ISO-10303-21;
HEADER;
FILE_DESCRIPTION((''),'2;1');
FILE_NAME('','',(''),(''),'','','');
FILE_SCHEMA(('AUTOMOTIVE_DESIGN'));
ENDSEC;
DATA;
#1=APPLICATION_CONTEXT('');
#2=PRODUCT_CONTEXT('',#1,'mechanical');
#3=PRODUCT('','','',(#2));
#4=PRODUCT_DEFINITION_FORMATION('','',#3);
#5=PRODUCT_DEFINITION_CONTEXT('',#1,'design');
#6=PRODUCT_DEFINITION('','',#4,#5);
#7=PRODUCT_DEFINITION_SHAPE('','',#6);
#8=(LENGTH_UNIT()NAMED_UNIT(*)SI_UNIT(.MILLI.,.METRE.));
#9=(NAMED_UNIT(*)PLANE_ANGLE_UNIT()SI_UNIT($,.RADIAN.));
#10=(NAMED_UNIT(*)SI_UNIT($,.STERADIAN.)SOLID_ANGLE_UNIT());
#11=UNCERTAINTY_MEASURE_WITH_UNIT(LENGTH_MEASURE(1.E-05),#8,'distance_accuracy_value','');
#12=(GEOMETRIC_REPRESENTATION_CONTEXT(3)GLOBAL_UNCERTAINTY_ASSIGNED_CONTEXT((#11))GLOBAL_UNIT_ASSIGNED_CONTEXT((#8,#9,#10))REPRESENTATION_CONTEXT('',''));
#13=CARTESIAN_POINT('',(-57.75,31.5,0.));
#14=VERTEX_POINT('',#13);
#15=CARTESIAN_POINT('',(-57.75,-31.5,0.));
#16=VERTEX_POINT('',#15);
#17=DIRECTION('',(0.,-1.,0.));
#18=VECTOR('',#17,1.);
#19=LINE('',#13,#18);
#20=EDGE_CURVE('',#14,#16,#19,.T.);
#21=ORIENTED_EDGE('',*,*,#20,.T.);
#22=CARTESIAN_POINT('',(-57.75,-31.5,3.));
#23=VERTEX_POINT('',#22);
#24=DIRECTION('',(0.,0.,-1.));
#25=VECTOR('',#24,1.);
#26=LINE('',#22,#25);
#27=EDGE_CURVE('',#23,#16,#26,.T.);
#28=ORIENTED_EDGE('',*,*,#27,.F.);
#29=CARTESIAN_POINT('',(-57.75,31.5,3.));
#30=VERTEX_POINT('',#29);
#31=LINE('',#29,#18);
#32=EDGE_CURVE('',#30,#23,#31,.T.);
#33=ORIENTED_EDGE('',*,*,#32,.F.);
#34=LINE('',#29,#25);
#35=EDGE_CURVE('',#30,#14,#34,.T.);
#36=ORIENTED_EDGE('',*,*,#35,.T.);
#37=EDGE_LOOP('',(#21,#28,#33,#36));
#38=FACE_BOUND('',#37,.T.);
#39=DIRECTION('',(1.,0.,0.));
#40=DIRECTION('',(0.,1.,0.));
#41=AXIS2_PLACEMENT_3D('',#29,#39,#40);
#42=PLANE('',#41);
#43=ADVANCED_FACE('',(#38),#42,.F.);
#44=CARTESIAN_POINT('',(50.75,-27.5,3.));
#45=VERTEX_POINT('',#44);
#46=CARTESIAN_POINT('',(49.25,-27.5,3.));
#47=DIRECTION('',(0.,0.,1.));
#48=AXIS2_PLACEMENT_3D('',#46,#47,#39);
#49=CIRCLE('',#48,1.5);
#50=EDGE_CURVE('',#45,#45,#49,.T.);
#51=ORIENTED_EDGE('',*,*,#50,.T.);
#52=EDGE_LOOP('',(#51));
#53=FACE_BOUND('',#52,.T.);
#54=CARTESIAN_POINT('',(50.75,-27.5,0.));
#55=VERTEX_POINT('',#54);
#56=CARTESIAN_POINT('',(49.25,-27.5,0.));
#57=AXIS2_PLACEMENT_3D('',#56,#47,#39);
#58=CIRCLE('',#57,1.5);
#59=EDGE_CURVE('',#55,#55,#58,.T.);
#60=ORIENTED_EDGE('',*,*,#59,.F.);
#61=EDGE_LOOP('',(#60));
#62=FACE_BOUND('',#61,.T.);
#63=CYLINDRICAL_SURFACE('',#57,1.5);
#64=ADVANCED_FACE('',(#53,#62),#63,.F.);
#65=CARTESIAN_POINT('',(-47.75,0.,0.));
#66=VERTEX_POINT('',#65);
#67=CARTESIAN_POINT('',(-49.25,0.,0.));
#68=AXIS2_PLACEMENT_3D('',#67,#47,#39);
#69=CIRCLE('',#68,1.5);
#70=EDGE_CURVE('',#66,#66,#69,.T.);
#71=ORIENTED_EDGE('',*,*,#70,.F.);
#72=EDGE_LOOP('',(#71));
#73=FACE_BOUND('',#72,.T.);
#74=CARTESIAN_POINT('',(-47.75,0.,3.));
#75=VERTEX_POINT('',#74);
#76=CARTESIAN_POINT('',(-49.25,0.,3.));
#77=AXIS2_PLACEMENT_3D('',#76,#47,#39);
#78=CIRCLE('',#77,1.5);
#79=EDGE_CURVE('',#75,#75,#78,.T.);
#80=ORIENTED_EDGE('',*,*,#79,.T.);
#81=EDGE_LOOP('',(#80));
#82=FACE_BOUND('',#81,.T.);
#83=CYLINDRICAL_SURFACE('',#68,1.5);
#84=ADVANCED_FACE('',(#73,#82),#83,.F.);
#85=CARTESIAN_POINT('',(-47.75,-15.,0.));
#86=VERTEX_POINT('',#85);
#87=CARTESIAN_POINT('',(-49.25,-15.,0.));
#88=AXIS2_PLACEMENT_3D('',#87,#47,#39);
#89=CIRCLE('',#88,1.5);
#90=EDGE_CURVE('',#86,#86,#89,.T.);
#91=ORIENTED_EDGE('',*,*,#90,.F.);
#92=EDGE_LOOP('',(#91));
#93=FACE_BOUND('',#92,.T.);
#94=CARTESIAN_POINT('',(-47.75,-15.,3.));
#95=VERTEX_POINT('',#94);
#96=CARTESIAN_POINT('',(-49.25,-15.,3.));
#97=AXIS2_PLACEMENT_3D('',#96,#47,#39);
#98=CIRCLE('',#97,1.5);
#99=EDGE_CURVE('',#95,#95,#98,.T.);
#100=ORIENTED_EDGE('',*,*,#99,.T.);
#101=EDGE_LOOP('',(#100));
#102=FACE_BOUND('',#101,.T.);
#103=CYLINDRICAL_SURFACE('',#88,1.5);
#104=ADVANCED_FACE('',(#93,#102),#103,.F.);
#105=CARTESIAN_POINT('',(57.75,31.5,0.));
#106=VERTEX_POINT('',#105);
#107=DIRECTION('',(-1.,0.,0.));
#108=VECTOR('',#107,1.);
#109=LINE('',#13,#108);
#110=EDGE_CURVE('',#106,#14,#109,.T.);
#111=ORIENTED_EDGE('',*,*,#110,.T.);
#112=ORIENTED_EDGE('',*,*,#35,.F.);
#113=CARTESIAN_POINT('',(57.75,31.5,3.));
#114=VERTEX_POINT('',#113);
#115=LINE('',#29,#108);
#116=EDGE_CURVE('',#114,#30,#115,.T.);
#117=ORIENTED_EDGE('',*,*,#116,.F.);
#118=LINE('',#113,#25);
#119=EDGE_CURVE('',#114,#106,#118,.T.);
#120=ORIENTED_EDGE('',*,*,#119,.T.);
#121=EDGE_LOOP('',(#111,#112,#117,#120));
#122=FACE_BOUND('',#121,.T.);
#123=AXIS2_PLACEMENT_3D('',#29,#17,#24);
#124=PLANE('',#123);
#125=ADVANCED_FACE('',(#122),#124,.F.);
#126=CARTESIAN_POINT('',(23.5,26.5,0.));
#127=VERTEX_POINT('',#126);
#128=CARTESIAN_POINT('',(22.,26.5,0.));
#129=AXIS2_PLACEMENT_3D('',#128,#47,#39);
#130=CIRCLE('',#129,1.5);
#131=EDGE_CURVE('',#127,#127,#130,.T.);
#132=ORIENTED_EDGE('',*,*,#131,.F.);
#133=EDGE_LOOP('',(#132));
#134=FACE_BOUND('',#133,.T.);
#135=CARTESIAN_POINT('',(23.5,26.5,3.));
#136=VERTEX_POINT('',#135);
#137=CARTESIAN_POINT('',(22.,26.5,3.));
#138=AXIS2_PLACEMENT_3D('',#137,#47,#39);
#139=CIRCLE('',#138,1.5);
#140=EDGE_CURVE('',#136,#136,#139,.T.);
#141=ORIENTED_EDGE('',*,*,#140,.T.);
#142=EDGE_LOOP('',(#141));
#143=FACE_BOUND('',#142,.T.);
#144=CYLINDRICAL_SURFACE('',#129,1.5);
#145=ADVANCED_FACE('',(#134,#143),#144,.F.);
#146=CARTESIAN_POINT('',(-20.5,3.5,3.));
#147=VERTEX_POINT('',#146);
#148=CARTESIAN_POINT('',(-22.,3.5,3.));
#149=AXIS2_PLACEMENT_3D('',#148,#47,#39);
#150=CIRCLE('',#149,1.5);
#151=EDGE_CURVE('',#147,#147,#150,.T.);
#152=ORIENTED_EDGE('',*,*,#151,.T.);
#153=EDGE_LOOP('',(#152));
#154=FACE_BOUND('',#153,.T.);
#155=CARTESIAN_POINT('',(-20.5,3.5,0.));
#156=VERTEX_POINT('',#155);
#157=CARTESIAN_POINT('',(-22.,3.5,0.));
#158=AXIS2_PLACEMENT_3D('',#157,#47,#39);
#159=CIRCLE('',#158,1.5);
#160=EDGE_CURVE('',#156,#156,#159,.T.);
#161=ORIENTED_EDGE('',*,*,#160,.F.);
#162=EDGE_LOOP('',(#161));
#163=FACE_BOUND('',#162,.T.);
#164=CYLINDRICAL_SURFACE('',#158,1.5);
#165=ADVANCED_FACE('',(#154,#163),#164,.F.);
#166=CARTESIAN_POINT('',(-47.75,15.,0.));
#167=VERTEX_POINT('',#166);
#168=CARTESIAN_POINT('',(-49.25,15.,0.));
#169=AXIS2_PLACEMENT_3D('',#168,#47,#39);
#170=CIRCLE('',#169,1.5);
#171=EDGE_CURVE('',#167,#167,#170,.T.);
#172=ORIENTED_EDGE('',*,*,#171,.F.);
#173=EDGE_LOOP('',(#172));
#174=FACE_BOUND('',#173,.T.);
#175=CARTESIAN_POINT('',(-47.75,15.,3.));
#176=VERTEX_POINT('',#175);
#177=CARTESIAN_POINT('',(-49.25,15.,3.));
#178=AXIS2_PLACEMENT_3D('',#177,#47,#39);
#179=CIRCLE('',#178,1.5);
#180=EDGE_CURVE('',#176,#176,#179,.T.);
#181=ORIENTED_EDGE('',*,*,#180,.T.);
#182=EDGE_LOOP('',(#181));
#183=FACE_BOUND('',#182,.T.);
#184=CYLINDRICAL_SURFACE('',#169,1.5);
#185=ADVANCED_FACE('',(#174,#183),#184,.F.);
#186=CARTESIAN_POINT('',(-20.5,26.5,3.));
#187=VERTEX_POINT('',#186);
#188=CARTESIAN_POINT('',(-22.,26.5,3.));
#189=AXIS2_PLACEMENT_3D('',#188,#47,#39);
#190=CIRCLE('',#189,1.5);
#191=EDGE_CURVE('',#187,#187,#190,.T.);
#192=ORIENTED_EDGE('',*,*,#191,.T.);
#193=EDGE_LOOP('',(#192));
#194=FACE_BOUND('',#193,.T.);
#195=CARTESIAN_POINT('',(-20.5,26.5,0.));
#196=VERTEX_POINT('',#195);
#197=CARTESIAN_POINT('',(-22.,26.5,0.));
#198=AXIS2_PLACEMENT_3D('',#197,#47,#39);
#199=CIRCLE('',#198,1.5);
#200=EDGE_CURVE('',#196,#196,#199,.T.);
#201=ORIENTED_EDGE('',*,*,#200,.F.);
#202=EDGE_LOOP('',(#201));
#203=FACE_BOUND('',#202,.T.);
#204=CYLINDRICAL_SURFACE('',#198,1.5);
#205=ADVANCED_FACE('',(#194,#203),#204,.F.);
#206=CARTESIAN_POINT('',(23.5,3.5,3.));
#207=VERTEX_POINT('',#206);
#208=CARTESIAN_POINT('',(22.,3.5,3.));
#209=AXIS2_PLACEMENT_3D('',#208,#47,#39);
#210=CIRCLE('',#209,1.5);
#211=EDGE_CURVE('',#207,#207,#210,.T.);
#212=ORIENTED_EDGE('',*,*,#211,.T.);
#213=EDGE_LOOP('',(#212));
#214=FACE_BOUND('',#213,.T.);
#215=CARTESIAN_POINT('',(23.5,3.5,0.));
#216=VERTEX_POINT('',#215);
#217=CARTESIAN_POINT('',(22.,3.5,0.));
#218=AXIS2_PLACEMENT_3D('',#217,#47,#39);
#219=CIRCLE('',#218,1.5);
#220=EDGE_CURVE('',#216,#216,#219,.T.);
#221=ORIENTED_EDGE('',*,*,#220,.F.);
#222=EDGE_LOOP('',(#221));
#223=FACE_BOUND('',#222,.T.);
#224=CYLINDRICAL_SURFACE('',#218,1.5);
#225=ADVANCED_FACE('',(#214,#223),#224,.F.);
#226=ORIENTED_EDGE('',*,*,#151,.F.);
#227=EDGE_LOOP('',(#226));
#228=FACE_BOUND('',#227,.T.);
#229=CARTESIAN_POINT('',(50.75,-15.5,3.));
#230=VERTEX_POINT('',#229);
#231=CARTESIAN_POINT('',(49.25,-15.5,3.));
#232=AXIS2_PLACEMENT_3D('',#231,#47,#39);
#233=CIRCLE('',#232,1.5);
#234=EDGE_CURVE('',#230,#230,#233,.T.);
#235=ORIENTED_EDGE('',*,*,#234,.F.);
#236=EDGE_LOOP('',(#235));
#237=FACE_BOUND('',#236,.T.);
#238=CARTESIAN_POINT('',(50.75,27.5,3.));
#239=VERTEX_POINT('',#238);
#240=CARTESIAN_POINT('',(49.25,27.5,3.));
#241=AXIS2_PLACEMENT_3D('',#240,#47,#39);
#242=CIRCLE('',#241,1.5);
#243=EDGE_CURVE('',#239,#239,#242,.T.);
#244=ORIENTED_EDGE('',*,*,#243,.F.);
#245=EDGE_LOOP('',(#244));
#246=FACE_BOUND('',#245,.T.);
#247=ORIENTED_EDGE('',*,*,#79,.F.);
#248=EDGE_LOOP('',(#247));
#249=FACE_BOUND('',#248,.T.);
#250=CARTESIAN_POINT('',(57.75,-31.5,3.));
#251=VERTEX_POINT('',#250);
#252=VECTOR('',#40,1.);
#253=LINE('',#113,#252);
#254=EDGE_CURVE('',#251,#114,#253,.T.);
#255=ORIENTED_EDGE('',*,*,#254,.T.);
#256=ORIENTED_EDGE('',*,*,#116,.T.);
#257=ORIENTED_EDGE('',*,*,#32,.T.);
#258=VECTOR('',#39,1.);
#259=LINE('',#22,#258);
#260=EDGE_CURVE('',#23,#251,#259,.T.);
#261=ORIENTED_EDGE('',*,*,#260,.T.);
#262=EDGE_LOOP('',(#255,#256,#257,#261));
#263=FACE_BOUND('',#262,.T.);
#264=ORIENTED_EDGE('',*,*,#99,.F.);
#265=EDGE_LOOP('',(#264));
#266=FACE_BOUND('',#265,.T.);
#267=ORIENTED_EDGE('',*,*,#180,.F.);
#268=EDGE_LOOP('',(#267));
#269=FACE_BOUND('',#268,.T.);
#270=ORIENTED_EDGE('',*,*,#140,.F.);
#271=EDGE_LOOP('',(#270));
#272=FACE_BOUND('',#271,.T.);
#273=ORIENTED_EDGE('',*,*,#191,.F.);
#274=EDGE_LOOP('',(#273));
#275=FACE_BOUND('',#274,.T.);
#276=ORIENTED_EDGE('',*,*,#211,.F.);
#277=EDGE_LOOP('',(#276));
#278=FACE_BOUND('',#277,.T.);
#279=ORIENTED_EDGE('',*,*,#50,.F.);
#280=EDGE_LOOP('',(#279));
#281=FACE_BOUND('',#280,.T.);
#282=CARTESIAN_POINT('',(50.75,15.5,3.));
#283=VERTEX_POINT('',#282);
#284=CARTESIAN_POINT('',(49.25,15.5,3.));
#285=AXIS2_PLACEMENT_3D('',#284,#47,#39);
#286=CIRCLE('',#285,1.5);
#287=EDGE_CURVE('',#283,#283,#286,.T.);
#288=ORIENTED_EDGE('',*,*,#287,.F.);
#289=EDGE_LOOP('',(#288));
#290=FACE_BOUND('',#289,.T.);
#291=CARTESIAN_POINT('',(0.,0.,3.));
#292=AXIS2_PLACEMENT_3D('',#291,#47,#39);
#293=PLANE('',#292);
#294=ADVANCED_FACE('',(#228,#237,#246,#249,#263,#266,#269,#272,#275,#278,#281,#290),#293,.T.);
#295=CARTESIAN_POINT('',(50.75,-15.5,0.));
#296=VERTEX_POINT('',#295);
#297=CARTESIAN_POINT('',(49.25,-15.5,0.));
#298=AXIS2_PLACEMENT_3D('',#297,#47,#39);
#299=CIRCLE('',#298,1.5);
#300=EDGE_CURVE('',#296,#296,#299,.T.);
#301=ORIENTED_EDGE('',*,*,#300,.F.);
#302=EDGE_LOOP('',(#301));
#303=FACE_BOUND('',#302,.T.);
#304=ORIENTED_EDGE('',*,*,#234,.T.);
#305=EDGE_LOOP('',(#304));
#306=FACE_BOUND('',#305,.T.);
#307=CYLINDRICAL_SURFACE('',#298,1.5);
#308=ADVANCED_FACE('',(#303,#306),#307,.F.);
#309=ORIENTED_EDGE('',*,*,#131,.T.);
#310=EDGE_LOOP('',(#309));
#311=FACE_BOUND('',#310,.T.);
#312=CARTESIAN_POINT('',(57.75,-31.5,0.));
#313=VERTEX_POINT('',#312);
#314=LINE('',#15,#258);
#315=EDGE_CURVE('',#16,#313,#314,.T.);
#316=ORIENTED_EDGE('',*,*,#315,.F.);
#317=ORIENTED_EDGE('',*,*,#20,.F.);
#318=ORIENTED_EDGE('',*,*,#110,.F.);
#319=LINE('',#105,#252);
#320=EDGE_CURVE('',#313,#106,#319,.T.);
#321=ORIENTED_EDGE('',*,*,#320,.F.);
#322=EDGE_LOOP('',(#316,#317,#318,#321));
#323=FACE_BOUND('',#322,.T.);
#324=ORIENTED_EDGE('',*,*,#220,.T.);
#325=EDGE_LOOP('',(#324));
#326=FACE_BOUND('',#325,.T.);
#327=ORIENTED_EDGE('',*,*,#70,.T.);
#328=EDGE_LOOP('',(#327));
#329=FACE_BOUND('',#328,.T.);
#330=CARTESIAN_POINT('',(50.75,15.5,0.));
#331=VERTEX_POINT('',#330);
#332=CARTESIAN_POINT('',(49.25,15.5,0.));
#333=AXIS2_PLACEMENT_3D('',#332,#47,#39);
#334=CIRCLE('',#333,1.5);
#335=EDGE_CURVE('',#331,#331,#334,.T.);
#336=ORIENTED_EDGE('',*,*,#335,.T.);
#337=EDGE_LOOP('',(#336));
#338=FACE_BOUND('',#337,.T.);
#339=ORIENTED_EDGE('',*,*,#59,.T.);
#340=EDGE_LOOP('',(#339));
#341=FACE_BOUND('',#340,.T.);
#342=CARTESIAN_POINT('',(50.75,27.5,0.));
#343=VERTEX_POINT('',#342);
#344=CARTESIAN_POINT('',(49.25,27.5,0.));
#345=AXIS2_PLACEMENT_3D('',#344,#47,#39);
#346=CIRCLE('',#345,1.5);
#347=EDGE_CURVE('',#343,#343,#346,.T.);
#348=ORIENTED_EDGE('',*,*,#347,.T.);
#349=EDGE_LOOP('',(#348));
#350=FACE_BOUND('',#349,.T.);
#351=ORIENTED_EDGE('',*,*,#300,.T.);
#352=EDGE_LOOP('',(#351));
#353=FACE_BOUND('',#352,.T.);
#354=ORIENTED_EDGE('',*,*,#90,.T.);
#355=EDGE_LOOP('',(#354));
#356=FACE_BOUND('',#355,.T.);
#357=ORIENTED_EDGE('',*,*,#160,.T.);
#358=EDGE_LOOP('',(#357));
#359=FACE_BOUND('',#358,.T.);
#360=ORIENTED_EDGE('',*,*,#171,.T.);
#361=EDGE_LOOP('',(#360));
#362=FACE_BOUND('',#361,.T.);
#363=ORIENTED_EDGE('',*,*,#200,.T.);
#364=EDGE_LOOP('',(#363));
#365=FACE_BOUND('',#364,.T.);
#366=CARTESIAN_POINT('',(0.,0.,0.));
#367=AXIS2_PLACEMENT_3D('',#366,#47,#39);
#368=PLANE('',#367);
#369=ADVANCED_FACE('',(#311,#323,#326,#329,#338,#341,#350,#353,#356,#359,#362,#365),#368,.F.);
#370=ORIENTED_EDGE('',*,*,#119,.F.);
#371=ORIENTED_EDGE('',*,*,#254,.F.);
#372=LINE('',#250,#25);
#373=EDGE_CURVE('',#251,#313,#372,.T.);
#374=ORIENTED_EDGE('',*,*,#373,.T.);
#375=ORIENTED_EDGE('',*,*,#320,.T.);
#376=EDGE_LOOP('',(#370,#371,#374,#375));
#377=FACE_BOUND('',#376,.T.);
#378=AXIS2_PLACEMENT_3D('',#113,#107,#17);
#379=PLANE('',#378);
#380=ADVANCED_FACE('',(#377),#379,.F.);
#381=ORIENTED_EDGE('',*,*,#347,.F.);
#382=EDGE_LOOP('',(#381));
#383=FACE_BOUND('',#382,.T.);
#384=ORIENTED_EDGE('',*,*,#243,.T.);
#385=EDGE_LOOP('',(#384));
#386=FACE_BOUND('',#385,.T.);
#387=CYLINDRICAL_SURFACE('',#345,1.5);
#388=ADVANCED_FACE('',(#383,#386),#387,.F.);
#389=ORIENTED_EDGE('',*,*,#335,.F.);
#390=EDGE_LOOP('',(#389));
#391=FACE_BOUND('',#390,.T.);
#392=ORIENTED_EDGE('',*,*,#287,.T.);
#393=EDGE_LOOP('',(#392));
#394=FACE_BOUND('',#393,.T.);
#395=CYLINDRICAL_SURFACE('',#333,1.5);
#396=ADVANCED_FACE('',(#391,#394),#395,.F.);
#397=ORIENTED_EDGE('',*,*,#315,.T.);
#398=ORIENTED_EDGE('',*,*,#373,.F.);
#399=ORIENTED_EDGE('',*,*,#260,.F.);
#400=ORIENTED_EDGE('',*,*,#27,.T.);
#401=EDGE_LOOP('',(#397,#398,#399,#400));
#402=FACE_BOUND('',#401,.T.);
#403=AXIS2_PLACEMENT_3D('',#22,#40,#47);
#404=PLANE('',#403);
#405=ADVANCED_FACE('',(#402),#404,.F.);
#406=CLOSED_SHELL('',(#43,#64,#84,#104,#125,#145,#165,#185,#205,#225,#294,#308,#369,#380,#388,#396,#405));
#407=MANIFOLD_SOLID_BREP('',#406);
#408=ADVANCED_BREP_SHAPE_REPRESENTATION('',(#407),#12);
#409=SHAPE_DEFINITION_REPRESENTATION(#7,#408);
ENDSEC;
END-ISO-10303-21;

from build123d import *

# Parameters (mm, degrees)
SKETCH_1_W          = 115.5
SKETCH_1_H          = 63
EXTRUDE_1_DEPTH     = 3
SKETCH_2_R          = 1.5
CUT_EXTRUDE_1_DEPTH = 66.850683368
SKETCH_3_R          = 1.5
CUT_EXTRUDE_2_DEPTH = 66.850683368


with BuildPart() as part:
    # 草图1 → 凸台-拉伸1 (new body)
    with BuildSketch(Plane.XY):
        Rectangle(SKETCH_1_W, SKETCH_1_H)
    extrude(amount=EXTRUDE_1_DEPTH)

    # 草图2 → 切除-拉伸1 (cut, through all)
    with BuildSketch(Plane.XY.offset(3)):
        with Locations((49.25, 27.5)):
            Circle(SKETCH_2_R)
        with Locations((49.25, -27.5)):
            Circle(SKETCH_2_R)
        with Locations((49.25, 15.5)):
            Circle(SKETCH_2_R)
        with Locations((49.25, -15.5)):
            Circle(SKETCH_2_R)
        with Locations((-49.25, 0)):
            Circle(SKETCH_2_R)
        with Locations((-49.25, 15)):
            Circle(SKETCH_2_R)
        with Locations((-49.25, -15)):
            Circle(SKETCH_2_R)
    extrude(amount=-CUT_EXTRUDE_1_DEPTH, mode=Mode.SUBTRACT)

    # 草图3 → 切除-拉伸2 (cut, through all)
    with BuildSketch(Plane.XY.offset(3)):
        with Locations((-22, 26.5)):
            Circle(SKETCH_3_R)
        with Locations((22, 26.5)):
            Circle(SKETCH_3_R)
        with Locations((22, 3.5)):
            Circle(SKETCH_3_R)
        with Locations((-22, 3.5)):
            Circle(SKETCH_3_R)
    extrude(amount=-CUT_EXTRUDE_2_DEPTH, mode=Mode.SUBTRACT)


solid = part.part
